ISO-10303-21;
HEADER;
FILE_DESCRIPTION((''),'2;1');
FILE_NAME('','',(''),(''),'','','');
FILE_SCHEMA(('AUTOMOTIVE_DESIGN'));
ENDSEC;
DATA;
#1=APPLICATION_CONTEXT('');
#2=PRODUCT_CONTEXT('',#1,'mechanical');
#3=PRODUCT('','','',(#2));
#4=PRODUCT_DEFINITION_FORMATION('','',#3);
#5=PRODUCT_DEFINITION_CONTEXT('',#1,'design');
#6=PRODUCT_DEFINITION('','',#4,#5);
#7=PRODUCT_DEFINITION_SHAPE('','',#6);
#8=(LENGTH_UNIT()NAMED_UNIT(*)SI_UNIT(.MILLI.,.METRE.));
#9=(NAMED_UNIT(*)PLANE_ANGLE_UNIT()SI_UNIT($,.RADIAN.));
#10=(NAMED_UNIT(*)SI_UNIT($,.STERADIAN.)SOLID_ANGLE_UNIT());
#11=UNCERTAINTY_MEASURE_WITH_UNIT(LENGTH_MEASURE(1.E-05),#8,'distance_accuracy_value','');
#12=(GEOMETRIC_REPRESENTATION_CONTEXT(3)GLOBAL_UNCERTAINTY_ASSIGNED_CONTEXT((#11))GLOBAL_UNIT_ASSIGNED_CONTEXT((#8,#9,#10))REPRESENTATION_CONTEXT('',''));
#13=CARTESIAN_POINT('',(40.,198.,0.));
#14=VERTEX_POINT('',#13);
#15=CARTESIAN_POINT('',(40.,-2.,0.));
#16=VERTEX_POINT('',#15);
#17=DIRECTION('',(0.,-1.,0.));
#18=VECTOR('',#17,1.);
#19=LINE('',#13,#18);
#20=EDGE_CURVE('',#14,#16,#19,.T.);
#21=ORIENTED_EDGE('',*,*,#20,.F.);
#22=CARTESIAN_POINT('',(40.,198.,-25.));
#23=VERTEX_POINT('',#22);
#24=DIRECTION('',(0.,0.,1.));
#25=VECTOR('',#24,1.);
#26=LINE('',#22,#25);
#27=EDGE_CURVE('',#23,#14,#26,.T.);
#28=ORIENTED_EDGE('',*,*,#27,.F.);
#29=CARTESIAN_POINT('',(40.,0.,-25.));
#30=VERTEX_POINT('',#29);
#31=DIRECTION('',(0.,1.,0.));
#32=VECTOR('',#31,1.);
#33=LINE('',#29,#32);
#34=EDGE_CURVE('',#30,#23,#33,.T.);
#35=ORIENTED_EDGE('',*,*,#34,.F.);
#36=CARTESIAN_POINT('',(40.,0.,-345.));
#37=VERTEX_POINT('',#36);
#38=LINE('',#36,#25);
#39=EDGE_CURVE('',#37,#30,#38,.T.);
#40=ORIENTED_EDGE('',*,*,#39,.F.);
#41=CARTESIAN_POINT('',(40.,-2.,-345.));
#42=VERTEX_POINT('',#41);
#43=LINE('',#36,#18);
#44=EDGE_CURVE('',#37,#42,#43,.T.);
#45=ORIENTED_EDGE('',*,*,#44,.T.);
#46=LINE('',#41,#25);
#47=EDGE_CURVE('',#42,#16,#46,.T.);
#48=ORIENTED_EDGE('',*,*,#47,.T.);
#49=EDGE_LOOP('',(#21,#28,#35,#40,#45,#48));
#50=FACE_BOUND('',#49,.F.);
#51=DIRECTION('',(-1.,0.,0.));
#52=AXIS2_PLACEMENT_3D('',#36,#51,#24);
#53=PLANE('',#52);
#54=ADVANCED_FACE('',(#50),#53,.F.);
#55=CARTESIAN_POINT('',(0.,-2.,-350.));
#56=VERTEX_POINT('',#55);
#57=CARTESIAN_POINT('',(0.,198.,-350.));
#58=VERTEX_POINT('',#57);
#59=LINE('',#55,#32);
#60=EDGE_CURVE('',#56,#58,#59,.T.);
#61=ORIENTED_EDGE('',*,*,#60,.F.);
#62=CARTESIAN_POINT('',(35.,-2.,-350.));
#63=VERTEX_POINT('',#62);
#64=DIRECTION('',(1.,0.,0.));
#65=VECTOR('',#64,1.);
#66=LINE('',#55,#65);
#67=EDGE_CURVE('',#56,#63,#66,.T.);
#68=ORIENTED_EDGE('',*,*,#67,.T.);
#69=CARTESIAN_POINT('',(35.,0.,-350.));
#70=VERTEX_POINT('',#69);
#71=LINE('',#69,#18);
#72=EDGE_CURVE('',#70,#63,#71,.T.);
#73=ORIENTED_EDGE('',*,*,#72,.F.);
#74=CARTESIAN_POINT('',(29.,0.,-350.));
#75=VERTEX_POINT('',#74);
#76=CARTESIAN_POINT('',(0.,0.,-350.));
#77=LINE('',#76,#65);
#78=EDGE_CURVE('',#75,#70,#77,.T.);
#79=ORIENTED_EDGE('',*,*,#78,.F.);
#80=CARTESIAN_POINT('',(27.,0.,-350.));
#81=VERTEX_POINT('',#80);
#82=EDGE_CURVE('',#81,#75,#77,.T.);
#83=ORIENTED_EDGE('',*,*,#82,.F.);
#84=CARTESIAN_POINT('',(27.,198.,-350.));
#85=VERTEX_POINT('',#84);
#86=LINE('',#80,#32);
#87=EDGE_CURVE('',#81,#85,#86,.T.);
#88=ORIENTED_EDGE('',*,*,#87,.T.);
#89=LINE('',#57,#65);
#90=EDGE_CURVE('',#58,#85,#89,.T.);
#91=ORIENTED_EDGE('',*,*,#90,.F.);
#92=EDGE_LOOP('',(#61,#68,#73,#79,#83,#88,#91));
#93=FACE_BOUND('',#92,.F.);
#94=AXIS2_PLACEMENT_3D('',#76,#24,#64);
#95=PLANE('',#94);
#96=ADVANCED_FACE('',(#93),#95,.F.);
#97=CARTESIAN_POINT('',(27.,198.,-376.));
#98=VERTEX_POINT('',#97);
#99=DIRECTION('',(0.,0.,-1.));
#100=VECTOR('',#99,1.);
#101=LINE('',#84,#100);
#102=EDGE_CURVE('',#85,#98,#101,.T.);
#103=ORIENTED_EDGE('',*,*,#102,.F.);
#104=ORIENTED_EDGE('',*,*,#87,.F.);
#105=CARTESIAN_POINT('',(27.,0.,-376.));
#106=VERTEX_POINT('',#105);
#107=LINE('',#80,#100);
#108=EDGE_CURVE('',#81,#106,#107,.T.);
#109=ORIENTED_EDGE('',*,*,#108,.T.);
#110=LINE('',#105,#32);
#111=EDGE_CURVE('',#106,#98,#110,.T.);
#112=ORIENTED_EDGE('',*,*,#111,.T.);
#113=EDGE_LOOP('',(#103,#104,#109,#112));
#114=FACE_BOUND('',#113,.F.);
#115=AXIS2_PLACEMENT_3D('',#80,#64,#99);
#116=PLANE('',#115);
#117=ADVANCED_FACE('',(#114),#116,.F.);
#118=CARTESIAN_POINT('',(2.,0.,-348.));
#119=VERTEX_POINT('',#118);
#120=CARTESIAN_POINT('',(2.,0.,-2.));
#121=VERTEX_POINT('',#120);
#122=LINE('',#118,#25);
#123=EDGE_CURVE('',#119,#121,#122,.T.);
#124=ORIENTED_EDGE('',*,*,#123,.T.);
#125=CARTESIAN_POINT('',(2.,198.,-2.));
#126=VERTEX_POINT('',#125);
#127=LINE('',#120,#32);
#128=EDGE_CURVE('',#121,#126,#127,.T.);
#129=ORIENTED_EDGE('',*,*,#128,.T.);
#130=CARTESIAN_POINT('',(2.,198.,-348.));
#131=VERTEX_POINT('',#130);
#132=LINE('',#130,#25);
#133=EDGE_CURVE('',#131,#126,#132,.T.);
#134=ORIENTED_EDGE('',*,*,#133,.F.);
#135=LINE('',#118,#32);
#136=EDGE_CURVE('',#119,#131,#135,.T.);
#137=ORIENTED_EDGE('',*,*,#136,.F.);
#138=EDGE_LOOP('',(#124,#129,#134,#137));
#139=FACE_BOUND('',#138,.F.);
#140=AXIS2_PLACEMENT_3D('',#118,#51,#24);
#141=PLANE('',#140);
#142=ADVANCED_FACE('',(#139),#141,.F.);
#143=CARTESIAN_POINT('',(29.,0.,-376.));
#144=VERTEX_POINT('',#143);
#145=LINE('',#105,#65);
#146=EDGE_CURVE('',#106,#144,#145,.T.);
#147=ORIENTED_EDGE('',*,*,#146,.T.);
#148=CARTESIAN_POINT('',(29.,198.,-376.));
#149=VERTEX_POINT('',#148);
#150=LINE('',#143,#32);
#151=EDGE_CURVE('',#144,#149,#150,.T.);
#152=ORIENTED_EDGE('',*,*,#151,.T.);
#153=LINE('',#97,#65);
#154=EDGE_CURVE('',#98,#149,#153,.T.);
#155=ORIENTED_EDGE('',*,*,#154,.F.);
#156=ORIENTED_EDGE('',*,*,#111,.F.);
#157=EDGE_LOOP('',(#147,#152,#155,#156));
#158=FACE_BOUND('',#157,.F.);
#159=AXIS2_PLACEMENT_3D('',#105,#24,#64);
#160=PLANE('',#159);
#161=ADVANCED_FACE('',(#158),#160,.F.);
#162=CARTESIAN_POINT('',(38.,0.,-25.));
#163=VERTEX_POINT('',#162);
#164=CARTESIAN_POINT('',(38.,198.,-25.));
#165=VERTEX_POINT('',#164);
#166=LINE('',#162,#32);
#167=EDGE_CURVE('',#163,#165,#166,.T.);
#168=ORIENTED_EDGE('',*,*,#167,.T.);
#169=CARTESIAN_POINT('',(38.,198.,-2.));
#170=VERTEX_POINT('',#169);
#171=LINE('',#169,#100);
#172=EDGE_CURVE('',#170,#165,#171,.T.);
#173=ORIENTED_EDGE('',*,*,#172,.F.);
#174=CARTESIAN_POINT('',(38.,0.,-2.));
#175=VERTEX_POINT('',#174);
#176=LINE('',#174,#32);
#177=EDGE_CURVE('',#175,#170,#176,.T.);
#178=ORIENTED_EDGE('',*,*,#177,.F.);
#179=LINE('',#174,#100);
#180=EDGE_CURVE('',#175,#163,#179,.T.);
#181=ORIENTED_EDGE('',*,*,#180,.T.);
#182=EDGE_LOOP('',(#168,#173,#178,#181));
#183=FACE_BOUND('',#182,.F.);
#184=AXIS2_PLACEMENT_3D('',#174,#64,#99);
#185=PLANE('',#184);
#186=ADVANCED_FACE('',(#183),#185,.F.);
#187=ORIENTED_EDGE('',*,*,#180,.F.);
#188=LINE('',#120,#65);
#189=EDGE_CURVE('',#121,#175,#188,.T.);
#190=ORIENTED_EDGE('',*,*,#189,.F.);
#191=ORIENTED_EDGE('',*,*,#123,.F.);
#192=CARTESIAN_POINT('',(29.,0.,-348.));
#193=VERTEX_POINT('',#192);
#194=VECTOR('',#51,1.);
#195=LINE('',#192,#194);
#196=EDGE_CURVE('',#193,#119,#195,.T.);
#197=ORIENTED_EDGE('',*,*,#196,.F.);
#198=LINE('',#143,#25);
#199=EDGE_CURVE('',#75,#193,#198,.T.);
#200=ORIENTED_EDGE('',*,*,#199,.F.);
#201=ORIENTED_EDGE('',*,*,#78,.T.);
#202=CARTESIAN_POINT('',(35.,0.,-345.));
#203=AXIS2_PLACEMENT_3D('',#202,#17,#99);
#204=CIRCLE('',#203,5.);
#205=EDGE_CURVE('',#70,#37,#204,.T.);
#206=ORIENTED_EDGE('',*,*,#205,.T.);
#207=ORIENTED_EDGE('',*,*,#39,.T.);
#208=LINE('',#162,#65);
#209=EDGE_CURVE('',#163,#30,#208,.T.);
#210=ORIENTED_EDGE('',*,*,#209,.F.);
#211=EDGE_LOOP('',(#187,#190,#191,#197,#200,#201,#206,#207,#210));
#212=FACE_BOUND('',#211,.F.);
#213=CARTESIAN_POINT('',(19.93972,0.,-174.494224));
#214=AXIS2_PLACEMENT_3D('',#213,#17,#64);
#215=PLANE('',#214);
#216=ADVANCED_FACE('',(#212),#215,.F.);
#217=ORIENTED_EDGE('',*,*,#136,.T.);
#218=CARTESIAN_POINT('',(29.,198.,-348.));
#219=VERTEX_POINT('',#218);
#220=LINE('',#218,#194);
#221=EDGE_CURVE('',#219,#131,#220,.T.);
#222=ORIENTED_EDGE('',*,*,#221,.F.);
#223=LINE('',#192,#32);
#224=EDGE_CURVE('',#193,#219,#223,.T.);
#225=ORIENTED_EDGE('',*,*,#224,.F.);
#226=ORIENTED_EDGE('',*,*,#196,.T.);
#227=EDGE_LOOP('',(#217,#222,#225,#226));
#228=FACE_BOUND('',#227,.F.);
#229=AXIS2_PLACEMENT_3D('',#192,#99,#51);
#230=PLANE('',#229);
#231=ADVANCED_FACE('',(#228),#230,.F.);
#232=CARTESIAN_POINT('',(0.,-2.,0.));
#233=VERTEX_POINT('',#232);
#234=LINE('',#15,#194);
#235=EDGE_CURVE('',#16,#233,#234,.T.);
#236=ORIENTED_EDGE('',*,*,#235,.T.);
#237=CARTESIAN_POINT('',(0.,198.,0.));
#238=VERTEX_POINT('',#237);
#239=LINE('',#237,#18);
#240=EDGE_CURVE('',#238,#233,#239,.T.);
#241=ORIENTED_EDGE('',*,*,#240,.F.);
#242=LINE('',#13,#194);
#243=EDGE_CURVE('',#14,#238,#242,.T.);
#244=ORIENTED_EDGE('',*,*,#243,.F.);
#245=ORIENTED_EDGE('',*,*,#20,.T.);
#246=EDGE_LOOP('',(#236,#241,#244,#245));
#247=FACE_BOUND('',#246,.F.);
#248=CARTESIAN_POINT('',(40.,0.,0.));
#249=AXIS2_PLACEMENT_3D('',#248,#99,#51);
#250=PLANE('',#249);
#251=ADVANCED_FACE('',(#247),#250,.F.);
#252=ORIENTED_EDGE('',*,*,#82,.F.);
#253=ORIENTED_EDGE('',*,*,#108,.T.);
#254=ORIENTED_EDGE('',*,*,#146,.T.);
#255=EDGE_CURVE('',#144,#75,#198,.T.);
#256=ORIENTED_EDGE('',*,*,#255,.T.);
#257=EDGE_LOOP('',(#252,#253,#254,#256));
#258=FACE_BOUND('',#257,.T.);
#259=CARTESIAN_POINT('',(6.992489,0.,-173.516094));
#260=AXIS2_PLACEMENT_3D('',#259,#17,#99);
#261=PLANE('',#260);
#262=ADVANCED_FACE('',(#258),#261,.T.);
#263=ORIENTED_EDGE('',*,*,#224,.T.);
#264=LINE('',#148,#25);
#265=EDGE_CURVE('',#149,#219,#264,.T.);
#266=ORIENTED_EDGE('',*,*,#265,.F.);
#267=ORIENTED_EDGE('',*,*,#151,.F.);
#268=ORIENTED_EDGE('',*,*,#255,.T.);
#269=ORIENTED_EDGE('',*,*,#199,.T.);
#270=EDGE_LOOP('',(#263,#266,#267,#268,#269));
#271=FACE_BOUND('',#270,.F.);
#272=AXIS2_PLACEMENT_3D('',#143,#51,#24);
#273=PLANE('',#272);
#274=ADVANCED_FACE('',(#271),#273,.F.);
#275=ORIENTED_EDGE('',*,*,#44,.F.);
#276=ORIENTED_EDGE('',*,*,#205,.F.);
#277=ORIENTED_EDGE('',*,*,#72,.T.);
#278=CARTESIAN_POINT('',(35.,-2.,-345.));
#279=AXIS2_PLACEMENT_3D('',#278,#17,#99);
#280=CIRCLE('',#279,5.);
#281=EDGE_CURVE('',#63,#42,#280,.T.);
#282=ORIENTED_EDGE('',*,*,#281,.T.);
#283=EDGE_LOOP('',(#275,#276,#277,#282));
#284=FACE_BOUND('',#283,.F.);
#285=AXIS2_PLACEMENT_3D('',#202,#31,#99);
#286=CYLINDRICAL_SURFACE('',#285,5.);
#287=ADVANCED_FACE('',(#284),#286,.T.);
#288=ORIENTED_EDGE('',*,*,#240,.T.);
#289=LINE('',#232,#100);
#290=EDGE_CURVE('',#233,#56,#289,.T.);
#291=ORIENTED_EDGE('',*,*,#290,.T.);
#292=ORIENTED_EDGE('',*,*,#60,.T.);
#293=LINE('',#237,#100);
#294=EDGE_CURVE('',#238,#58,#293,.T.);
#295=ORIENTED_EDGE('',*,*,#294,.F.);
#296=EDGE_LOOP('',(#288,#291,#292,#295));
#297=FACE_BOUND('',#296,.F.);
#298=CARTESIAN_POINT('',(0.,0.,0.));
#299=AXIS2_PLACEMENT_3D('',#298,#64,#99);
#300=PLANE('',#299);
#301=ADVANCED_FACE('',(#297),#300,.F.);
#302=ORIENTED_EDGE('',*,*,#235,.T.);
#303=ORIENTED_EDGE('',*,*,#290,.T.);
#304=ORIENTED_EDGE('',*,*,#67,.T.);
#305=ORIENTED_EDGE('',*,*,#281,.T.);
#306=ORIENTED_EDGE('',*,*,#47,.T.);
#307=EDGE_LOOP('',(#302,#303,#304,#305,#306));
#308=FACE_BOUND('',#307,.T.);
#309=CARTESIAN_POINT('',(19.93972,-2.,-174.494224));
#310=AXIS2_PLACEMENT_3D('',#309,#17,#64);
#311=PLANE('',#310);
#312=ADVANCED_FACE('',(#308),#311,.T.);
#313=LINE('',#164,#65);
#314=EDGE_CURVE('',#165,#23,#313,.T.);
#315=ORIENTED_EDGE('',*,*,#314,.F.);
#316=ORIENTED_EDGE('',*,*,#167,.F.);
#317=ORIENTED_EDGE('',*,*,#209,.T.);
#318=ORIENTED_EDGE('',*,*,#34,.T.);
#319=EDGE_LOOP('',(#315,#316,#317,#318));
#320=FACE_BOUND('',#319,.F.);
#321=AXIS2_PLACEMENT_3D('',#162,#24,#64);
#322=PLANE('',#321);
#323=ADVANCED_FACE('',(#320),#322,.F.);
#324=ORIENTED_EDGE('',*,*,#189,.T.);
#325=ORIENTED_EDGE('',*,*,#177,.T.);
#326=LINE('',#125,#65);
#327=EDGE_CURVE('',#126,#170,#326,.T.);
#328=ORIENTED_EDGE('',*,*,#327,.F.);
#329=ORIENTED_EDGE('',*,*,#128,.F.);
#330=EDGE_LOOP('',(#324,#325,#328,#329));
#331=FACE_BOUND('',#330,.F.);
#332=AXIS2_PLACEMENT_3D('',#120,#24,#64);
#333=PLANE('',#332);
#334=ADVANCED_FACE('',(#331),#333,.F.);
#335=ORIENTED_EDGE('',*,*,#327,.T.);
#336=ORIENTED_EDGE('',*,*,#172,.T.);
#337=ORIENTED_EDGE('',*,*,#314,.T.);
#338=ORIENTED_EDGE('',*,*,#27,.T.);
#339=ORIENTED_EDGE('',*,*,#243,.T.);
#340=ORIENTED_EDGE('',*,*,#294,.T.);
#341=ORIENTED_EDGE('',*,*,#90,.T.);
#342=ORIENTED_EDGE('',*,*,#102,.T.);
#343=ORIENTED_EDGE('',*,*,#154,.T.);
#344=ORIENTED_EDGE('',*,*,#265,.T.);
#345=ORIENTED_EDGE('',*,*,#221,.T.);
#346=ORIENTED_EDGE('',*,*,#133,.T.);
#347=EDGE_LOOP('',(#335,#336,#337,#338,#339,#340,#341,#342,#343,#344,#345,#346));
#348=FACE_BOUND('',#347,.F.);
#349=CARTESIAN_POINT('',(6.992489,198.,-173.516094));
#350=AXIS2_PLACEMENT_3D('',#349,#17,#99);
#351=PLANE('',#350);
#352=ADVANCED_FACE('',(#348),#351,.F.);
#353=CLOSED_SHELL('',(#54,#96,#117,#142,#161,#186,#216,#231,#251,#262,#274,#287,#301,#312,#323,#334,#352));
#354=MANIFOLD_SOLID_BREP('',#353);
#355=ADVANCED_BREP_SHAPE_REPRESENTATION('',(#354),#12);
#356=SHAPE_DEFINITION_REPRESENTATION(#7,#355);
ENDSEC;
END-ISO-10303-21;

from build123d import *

# Parameters (mm, degrees)
F4_DEPTH = 2


with BuildPart() as f2:
    # F2: sweep along a path in F1
    with BuildLine(Plane.XY) as f2_path:
        Line((0, 0), (0, 198))
    # F0 (on Front) → F2 (sweep)
    with BuildSketch(Plane.XZ):
        Polygon((40, 0), (0, 0), (0, -350), (27, -350), (27, -376), (29, -376), (29, -348), (2, -348), (2, -2), (38, -2), (38, -25), (40, -25), align=None)
    sweep(path=f2_path.line)

    # F3 (on face) → F4 (join)
    with BuildSketch(Plane.XZ):
        with BuildLine():
            Line((40, -345), (40, 0))
            Line((40, 0), (0, 0))
            Line((0, 0), (0, -350))
            Line((0, -350), (35, -350))
            ThreePointArc((35, -350), (38.5355339059, -348.5355339059), (40, -345))
        make_face()
    extrude(amount=F4_DEPTH)


solid = f2.part
